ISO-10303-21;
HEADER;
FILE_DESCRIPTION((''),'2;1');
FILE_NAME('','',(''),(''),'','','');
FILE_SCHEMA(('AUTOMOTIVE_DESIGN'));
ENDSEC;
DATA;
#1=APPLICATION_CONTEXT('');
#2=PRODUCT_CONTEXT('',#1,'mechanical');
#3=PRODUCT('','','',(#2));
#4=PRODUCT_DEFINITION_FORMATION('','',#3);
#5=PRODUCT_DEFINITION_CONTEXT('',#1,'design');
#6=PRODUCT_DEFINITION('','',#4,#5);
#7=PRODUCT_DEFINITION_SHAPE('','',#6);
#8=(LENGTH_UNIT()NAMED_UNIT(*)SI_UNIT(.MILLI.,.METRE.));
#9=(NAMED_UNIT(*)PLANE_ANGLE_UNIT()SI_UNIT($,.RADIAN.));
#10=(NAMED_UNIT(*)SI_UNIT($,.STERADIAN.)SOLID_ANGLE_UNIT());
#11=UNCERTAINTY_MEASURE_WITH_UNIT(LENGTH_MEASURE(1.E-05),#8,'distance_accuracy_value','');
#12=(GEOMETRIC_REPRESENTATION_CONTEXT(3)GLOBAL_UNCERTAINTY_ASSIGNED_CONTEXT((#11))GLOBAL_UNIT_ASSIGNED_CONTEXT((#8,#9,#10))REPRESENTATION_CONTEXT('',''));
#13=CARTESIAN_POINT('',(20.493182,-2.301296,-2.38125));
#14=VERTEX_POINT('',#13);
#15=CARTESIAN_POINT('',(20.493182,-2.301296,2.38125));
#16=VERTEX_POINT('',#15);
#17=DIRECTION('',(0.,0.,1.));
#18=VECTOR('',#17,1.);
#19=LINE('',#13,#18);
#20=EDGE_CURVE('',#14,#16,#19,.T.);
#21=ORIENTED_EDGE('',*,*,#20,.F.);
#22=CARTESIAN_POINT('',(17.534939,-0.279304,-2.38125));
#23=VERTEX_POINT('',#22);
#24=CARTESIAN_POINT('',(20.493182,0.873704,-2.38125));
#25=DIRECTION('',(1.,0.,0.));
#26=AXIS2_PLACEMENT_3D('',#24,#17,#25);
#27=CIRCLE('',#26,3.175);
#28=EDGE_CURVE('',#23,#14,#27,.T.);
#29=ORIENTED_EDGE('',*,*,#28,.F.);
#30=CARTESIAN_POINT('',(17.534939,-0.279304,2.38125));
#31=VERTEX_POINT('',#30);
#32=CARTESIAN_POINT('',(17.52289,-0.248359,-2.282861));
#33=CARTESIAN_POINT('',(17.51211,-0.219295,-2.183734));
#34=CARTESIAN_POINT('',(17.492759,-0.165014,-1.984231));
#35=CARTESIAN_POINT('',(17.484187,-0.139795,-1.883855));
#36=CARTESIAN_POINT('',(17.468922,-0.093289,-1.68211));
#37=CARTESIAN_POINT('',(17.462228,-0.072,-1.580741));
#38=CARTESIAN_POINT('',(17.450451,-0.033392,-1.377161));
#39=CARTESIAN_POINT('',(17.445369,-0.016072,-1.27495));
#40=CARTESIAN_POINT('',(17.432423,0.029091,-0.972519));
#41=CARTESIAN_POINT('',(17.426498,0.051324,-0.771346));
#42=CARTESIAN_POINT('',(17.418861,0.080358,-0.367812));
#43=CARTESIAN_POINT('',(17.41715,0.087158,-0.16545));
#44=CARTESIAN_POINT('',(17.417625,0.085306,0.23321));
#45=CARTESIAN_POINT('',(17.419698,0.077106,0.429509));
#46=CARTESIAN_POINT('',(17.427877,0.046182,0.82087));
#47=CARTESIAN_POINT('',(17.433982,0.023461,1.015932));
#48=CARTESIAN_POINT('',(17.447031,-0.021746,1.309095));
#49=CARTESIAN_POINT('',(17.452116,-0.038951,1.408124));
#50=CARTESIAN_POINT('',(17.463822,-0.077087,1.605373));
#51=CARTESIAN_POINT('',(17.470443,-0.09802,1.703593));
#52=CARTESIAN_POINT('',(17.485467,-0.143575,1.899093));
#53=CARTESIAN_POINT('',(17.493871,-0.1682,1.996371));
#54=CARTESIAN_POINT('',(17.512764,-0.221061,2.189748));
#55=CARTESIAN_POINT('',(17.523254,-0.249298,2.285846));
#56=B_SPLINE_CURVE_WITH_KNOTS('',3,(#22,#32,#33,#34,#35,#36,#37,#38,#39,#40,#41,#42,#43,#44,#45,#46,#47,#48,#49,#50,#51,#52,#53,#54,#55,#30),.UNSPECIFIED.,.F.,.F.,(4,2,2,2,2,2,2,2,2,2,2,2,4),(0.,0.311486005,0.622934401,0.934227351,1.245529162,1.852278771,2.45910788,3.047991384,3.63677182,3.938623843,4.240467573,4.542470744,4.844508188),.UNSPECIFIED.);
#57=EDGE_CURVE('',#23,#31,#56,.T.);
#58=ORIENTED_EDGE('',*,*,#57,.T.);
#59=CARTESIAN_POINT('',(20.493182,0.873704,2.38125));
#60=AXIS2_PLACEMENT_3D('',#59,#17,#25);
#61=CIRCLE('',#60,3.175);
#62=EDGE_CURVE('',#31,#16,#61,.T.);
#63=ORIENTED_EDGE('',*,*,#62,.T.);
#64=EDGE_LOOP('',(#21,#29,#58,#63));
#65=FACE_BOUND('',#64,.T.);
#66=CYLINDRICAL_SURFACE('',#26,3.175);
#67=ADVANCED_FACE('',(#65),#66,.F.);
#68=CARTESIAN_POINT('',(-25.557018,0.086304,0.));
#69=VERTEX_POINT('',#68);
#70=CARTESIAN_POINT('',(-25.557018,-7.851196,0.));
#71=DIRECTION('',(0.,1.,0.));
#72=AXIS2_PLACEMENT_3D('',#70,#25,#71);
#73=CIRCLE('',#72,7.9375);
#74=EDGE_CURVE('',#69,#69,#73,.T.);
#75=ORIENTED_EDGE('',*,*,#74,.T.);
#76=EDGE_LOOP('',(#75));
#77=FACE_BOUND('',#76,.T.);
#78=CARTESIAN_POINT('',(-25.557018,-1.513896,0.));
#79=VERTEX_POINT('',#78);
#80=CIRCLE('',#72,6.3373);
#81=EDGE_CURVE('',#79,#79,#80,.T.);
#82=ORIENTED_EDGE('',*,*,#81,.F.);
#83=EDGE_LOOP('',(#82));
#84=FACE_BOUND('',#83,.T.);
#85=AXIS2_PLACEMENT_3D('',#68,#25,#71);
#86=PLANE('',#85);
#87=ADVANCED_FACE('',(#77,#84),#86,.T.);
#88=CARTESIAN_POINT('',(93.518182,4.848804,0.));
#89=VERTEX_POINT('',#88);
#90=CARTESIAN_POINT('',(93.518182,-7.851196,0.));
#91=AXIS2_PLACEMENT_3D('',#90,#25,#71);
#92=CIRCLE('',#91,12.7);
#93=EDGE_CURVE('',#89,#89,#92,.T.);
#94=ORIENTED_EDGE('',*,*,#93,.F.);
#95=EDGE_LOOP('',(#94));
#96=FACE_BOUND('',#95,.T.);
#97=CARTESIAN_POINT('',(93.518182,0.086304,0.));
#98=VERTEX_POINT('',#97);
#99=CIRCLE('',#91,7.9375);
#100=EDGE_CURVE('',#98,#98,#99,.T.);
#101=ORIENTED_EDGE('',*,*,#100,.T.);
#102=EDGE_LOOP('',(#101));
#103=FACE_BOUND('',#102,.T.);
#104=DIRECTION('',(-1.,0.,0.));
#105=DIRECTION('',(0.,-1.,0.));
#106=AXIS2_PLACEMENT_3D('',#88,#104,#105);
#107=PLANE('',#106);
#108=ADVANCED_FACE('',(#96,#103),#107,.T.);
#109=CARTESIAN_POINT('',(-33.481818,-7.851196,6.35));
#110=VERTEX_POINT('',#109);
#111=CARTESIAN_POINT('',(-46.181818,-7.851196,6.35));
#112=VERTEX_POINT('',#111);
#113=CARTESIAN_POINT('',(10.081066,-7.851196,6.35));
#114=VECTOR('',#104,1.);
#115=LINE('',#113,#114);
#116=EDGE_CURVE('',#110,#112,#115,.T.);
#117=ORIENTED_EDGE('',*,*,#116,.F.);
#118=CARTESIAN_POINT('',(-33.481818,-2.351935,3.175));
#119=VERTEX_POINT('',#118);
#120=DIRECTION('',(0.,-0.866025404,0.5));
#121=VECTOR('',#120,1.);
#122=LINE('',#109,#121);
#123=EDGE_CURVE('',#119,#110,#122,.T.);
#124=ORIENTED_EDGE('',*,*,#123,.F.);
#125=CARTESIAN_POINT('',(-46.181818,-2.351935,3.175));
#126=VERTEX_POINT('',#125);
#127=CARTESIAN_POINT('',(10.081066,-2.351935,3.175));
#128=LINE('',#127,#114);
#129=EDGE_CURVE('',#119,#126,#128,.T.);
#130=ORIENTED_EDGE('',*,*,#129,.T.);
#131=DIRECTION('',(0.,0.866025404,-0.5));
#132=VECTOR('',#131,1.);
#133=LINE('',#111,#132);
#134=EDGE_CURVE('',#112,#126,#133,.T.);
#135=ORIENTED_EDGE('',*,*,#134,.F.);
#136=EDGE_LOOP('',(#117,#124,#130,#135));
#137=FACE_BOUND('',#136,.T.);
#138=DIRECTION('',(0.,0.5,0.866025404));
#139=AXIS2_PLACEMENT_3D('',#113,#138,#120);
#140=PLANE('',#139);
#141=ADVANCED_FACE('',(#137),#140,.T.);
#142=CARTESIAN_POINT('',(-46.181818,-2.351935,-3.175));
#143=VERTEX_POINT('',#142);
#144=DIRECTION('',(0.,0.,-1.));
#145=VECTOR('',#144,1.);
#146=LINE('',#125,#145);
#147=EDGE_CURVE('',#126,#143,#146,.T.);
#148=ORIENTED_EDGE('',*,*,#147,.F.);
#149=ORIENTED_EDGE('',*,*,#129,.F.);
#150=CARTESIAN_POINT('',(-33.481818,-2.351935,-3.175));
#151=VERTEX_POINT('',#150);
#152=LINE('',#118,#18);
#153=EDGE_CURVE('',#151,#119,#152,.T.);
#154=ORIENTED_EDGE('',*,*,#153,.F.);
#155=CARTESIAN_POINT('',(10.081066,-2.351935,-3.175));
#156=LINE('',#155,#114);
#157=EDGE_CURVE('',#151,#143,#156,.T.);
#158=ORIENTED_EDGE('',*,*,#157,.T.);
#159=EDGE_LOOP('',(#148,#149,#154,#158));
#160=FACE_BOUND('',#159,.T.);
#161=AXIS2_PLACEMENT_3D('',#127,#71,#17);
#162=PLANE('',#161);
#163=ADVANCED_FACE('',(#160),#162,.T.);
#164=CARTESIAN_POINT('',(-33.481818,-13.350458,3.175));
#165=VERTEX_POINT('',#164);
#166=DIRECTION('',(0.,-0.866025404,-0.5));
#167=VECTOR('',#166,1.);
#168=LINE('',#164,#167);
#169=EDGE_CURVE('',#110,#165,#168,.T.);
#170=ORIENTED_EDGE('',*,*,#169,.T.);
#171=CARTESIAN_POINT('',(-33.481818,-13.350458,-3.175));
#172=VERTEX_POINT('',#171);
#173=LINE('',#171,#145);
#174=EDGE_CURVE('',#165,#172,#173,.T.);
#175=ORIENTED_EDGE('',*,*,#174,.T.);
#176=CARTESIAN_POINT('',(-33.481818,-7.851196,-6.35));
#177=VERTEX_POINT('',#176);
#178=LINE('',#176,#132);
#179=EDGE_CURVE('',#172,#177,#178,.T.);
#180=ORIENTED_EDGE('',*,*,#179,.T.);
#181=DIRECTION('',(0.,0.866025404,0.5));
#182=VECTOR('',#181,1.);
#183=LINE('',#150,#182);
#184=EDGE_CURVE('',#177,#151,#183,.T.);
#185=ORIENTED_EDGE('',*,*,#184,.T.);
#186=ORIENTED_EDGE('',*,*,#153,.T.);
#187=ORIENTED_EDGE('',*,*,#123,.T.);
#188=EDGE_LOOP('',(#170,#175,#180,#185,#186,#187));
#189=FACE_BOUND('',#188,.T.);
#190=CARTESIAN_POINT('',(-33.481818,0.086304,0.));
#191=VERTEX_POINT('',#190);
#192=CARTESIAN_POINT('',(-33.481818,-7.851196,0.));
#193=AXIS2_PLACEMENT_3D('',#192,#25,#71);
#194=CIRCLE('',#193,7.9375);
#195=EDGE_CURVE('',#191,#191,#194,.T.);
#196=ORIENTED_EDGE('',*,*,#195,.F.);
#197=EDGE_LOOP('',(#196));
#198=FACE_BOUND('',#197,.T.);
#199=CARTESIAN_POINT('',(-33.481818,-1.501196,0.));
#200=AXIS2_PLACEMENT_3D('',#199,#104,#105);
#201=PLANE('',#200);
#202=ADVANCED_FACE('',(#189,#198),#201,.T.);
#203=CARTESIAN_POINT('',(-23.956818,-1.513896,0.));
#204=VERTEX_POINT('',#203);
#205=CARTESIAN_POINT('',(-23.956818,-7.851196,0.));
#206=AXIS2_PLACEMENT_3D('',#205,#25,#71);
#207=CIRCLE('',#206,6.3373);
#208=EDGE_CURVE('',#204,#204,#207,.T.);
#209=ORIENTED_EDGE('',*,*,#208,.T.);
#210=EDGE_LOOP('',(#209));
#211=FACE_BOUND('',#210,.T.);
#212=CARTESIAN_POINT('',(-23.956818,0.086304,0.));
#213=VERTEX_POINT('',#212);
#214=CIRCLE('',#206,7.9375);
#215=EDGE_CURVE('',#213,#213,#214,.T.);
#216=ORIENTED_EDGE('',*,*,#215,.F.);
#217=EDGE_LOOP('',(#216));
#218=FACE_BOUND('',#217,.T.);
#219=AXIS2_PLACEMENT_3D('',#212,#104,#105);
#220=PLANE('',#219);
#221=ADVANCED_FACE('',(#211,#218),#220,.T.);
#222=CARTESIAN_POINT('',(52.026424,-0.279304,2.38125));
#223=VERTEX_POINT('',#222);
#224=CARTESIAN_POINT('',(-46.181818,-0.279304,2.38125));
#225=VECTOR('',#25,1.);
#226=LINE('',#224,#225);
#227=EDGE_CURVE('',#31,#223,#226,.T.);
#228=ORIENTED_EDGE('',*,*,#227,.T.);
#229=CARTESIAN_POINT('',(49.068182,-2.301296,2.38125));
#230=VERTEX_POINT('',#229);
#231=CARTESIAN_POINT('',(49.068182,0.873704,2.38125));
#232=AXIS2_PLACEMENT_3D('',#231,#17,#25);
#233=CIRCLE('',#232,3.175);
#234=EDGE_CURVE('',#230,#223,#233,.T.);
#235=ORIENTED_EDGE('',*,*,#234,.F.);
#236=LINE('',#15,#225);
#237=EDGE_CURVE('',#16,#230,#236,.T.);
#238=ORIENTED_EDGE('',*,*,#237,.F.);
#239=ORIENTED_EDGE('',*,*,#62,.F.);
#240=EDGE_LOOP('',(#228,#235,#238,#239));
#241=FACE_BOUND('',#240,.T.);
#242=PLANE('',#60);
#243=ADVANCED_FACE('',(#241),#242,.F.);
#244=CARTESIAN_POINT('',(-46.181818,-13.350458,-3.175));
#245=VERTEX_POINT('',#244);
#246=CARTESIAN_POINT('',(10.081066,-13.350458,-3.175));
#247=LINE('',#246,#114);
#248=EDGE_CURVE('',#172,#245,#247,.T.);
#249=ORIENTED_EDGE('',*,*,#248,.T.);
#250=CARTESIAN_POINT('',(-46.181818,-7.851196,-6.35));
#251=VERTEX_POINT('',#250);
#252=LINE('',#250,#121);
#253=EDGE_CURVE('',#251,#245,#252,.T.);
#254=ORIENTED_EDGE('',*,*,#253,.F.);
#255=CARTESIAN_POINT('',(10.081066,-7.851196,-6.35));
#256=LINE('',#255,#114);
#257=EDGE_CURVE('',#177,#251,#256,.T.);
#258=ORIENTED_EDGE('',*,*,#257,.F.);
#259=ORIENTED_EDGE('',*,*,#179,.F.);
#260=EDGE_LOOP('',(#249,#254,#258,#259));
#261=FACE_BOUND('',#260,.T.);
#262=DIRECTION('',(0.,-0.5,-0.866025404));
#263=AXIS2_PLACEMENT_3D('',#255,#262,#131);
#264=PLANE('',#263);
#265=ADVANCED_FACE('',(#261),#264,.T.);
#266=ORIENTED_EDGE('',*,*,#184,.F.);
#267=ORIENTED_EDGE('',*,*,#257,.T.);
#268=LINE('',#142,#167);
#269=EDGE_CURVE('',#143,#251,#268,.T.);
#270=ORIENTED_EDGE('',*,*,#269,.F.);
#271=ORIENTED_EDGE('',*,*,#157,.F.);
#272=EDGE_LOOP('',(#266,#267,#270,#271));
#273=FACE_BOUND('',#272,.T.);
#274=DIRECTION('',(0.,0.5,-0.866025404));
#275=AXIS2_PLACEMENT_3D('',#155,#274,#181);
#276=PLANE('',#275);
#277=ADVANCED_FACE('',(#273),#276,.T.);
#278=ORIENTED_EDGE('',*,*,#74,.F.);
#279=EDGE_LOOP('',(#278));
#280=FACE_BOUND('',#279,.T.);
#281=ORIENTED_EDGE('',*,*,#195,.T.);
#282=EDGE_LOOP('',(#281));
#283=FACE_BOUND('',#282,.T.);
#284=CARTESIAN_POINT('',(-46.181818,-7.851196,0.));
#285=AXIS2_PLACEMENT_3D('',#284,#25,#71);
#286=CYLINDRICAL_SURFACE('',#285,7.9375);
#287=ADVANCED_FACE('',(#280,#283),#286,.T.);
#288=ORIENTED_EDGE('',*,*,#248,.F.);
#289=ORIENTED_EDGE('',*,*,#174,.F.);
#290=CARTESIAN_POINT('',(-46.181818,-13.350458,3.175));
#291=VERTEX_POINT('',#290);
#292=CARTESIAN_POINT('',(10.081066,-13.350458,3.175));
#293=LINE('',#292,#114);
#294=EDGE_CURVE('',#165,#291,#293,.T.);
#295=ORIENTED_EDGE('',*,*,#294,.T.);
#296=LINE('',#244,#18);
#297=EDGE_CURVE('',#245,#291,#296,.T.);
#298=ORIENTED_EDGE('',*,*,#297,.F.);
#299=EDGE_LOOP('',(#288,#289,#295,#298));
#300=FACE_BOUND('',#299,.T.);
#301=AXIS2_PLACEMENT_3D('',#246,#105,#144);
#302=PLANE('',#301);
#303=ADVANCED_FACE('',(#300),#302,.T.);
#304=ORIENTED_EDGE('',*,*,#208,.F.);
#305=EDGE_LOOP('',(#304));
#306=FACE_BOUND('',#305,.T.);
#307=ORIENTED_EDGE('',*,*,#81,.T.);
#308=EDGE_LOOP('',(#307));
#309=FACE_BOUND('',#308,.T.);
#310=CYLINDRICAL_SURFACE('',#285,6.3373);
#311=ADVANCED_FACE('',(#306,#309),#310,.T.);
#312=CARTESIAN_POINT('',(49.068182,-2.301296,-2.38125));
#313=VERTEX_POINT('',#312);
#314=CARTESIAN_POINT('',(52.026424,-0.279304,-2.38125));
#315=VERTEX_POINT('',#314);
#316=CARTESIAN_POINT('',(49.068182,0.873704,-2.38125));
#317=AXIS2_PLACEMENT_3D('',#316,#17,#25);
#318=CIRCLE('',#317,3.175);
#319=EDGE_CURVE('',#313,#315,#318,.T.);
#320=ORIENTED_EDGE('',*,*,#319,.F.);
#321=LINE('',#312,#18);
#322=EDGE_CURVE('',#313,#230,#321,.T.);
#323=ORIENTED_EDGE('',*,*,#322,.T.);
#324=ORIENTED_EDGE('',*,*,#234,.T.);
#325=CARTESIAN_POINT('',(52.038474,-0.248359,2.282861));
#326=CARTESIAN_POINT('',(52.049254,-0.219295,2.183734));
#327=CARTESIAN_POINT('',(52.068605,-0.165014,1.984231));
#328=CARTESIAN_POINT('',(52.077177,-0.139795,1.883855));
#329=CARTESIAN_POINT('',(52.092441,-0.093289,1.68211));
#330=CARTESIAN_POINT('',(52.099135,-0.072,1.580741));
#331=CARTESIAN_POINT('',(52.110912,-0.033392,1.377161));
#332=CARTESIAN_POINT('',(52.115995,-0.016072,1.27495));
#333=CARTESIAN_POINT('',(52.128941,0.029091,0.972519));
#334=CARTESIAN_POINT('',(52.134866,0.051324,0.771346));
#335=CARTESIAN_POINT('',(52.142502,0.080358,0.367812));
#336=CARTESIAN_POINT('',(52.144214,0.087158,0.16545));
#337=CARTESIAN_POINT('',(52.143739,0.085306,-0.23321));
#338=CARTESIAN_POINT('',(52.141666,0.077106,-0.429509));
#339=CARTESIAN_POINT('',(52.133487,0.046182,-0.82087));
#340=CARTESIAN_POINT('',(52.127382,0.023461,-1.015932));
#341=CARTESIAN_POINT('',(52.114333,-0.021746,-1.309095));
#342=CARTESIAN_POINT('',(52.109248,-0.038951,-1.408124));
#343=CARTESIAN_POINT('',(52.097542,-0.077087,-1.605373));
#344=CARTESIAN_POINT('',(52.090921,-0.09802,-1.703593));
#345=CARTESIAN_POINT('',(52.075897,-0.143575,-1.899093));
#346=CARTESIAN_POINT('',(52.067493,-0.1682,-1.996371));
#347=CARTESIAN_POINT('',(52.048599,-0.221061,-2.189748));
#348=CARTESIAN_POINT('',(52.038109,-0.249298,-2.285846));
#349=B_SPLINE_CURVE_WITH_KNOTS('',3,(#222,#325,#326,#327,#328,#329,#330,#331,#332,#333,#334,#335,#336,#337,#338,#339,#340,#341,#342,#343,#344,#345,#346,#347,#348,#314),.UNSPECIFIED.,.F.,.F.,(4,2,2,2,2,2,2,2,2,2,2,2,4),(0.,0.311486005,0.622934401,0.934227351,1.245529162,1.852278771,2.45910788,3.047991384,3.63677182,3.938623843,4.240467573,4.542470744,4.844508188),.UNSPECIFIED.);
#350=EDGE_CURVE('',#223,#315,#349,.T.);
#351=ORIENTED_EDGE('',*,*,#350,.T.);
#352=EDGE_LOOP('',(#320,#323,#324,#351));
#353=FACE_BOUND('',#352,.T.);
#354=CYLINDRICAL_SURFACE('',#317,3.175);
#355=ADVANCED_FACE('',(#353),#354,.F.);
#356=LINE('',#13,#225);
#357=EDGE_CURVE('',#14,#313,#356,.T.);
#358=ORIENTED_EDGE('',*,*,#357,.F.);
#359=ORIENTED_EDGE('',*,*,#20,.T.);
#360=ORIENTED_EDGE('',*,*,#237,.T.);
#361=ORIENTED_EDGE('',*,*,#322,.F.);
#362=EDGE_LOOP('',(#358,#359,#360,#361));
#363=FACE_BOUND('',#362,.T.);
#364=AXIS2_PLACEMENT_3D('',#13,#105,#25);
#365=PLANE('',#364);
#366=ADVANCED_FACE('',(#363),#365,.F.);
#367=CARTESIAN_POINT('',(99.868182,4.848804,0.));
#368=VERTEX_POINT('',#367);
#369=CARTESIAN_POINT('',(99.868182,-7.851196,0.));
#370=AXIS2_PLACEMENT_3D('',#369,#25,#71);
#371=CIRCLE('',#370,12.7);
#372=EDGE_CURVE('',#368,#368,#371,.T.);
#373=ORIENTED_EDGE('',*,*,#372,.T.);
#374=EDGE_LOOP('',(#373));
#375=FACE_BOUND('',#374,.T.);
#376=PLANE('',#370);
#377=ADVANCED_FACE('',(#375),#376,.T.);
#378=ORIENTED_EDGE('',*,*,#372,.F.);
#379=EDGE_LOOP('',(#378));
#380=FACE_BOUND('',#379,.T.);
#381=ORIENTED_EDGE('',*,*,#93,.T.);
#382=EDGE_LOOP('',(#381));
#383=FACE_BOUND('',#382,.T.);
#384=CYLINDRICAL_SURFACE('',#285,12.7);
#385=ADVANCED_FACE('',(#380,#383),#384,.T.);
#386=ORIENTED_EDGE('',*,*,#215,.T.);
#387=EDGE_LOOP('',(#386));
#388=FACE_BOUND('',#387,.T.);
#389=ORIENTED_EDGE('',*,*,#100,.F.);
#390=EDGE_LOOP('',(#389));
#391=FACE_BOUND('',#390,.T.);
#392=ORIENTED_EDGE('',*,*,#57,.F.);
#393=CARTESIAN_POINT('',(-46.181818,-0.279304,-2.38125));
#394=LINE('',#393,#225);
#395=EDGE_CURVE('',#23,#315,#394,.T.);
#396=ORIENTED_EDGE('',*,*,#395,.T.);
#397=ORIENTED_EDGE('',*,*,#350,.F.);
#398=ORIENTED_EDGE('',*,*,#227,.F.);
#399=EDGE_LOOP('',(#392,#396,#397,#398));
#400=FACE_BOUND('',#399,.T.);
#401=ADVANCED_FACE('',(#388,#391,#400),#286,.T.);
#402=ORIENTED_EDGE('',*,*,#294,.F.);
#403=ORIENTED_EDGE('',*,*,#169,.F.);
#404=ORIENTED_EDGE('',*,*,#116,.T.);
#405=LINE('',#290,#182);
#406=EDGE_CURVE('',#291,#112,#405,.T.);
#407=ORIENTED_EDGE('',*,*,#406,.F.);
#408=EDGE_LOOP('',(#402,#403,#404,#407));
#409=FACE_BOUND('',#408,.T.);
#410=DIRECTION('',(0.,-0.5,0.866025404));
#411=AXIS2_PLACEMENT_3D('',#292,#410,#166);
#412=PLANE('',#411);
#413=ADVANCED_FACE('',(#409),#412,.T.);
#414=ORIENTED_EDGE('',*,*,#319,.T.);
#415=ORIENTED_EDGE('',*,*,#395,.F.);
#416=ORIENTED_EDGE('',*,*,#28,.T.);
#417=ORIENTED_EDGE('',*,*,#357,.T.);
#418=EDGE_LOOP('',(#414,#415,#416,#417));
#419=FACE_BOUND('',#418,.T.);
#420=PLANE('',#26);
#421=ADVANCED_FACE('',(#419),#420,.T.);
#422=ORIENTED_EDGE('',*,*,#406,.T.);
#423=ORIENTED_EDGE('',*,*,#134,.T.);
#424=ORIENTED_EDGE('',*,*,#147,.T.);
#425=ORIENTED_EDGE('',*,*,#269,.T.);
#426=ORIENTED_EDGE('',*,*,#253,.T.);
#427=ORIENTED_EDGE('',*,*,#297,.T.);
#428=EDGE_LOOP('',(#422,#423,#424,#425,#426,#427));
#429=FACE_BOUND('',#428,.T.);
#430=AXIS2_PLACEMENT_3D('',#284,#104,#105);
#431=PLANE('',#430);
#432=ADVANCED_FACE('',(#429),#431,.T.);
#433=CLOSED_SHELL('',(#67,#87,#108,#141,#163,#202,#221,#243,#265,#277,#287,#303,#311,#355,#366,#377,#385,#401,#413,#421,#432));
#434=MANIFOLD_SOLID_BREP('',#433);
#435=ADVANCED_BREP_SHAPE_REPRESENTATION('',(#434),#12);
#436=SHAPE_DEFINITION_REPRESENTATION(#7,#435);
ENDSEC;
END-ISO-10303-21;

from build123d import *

# Parameters (mm, degrees)
CUT_EXTRUDE1_DEPTH = 2.38125
SKETCH3_OUTSIDE_W  = 57.48
SKETCH3_OUTSIDE_H  = 57.48
CUT_EXTRUDE2_DEPTH = 12.7


with BuildPart() as part:
    # Sketch1 → Revolve1 (revolve)
    with BuildSketch(Plane.XY):
        Polygon((-46.181818182, -7.851196491), (-46.181818182, -1.501196491), (-33.481818182, -1.501196491), (-33.481818182, 0.086303509), (-25.557018182, 0.086303509), (-25.557018182, -1.513896491), (-23.956818182, -1.513896491), (-23.956818182, 0.086303509), (93.518181818, 0.086303509), (93.518181818, 4.848803509), (99.868181818, 4.848803509), (99.868181818, -7.851196491), align=None)
    revolve(axis=Axis((-46.181818182, -7.851196491, 0), (-1, 0, 0)))

    # Sketch2 → Cut-Extrude1 (cut, symmetric)
    with BuildSketch(Plane.XY):
        with BuildLine():
            Line((17.318181818, 5.781363923), (17.318181818, 0.873703509))
            ThreePointArc((17.318181818, 0.873703509), (18.248117788, -1.371360522), (20.493181818, -2.301296491))
            Line((20.493181818, -2.301296491), (49.068181818, -2.301296491))
            ThreePointArc((49.068181818, -2.301296491), (51.313245848, -1.371360522), (52.243181818, 0.873703509))
            Line((52.243181818, 0.873703509), (52.243181818, 5.781363923))
            Line((52.243181818, 5.781363923), (17.318181818, 5.781363923))
        make_face()
    extrude(amount=CUT_EXTRUDE1_DEPTH, both=True, mode=Mode.SUBTRACT)

    # Sketch3 outside → Cut-Extrude2 (cut)
    with BuildSketch(Plane.ZY.offset(46.181818182)):
        with Locations((0, -7.851)):
            Rectangle(SKETCH3_OUTSIDE_W, SKETCH3_OUTSIDE_H)
        Polygon((6.35, -7.851196491), (3.175, -2.351935177), (-3.175, -2.351935177), (-6.35, -7.851196491), (-3.175, -13.350457805), (3.175, -13.350457805), align=None, mode=Mode.SUBTRACT)
    extrude(amount=-CUT_EXTRUDE2_DEPTH, mode=Mode.SUBTRACT)


solid = part.part
